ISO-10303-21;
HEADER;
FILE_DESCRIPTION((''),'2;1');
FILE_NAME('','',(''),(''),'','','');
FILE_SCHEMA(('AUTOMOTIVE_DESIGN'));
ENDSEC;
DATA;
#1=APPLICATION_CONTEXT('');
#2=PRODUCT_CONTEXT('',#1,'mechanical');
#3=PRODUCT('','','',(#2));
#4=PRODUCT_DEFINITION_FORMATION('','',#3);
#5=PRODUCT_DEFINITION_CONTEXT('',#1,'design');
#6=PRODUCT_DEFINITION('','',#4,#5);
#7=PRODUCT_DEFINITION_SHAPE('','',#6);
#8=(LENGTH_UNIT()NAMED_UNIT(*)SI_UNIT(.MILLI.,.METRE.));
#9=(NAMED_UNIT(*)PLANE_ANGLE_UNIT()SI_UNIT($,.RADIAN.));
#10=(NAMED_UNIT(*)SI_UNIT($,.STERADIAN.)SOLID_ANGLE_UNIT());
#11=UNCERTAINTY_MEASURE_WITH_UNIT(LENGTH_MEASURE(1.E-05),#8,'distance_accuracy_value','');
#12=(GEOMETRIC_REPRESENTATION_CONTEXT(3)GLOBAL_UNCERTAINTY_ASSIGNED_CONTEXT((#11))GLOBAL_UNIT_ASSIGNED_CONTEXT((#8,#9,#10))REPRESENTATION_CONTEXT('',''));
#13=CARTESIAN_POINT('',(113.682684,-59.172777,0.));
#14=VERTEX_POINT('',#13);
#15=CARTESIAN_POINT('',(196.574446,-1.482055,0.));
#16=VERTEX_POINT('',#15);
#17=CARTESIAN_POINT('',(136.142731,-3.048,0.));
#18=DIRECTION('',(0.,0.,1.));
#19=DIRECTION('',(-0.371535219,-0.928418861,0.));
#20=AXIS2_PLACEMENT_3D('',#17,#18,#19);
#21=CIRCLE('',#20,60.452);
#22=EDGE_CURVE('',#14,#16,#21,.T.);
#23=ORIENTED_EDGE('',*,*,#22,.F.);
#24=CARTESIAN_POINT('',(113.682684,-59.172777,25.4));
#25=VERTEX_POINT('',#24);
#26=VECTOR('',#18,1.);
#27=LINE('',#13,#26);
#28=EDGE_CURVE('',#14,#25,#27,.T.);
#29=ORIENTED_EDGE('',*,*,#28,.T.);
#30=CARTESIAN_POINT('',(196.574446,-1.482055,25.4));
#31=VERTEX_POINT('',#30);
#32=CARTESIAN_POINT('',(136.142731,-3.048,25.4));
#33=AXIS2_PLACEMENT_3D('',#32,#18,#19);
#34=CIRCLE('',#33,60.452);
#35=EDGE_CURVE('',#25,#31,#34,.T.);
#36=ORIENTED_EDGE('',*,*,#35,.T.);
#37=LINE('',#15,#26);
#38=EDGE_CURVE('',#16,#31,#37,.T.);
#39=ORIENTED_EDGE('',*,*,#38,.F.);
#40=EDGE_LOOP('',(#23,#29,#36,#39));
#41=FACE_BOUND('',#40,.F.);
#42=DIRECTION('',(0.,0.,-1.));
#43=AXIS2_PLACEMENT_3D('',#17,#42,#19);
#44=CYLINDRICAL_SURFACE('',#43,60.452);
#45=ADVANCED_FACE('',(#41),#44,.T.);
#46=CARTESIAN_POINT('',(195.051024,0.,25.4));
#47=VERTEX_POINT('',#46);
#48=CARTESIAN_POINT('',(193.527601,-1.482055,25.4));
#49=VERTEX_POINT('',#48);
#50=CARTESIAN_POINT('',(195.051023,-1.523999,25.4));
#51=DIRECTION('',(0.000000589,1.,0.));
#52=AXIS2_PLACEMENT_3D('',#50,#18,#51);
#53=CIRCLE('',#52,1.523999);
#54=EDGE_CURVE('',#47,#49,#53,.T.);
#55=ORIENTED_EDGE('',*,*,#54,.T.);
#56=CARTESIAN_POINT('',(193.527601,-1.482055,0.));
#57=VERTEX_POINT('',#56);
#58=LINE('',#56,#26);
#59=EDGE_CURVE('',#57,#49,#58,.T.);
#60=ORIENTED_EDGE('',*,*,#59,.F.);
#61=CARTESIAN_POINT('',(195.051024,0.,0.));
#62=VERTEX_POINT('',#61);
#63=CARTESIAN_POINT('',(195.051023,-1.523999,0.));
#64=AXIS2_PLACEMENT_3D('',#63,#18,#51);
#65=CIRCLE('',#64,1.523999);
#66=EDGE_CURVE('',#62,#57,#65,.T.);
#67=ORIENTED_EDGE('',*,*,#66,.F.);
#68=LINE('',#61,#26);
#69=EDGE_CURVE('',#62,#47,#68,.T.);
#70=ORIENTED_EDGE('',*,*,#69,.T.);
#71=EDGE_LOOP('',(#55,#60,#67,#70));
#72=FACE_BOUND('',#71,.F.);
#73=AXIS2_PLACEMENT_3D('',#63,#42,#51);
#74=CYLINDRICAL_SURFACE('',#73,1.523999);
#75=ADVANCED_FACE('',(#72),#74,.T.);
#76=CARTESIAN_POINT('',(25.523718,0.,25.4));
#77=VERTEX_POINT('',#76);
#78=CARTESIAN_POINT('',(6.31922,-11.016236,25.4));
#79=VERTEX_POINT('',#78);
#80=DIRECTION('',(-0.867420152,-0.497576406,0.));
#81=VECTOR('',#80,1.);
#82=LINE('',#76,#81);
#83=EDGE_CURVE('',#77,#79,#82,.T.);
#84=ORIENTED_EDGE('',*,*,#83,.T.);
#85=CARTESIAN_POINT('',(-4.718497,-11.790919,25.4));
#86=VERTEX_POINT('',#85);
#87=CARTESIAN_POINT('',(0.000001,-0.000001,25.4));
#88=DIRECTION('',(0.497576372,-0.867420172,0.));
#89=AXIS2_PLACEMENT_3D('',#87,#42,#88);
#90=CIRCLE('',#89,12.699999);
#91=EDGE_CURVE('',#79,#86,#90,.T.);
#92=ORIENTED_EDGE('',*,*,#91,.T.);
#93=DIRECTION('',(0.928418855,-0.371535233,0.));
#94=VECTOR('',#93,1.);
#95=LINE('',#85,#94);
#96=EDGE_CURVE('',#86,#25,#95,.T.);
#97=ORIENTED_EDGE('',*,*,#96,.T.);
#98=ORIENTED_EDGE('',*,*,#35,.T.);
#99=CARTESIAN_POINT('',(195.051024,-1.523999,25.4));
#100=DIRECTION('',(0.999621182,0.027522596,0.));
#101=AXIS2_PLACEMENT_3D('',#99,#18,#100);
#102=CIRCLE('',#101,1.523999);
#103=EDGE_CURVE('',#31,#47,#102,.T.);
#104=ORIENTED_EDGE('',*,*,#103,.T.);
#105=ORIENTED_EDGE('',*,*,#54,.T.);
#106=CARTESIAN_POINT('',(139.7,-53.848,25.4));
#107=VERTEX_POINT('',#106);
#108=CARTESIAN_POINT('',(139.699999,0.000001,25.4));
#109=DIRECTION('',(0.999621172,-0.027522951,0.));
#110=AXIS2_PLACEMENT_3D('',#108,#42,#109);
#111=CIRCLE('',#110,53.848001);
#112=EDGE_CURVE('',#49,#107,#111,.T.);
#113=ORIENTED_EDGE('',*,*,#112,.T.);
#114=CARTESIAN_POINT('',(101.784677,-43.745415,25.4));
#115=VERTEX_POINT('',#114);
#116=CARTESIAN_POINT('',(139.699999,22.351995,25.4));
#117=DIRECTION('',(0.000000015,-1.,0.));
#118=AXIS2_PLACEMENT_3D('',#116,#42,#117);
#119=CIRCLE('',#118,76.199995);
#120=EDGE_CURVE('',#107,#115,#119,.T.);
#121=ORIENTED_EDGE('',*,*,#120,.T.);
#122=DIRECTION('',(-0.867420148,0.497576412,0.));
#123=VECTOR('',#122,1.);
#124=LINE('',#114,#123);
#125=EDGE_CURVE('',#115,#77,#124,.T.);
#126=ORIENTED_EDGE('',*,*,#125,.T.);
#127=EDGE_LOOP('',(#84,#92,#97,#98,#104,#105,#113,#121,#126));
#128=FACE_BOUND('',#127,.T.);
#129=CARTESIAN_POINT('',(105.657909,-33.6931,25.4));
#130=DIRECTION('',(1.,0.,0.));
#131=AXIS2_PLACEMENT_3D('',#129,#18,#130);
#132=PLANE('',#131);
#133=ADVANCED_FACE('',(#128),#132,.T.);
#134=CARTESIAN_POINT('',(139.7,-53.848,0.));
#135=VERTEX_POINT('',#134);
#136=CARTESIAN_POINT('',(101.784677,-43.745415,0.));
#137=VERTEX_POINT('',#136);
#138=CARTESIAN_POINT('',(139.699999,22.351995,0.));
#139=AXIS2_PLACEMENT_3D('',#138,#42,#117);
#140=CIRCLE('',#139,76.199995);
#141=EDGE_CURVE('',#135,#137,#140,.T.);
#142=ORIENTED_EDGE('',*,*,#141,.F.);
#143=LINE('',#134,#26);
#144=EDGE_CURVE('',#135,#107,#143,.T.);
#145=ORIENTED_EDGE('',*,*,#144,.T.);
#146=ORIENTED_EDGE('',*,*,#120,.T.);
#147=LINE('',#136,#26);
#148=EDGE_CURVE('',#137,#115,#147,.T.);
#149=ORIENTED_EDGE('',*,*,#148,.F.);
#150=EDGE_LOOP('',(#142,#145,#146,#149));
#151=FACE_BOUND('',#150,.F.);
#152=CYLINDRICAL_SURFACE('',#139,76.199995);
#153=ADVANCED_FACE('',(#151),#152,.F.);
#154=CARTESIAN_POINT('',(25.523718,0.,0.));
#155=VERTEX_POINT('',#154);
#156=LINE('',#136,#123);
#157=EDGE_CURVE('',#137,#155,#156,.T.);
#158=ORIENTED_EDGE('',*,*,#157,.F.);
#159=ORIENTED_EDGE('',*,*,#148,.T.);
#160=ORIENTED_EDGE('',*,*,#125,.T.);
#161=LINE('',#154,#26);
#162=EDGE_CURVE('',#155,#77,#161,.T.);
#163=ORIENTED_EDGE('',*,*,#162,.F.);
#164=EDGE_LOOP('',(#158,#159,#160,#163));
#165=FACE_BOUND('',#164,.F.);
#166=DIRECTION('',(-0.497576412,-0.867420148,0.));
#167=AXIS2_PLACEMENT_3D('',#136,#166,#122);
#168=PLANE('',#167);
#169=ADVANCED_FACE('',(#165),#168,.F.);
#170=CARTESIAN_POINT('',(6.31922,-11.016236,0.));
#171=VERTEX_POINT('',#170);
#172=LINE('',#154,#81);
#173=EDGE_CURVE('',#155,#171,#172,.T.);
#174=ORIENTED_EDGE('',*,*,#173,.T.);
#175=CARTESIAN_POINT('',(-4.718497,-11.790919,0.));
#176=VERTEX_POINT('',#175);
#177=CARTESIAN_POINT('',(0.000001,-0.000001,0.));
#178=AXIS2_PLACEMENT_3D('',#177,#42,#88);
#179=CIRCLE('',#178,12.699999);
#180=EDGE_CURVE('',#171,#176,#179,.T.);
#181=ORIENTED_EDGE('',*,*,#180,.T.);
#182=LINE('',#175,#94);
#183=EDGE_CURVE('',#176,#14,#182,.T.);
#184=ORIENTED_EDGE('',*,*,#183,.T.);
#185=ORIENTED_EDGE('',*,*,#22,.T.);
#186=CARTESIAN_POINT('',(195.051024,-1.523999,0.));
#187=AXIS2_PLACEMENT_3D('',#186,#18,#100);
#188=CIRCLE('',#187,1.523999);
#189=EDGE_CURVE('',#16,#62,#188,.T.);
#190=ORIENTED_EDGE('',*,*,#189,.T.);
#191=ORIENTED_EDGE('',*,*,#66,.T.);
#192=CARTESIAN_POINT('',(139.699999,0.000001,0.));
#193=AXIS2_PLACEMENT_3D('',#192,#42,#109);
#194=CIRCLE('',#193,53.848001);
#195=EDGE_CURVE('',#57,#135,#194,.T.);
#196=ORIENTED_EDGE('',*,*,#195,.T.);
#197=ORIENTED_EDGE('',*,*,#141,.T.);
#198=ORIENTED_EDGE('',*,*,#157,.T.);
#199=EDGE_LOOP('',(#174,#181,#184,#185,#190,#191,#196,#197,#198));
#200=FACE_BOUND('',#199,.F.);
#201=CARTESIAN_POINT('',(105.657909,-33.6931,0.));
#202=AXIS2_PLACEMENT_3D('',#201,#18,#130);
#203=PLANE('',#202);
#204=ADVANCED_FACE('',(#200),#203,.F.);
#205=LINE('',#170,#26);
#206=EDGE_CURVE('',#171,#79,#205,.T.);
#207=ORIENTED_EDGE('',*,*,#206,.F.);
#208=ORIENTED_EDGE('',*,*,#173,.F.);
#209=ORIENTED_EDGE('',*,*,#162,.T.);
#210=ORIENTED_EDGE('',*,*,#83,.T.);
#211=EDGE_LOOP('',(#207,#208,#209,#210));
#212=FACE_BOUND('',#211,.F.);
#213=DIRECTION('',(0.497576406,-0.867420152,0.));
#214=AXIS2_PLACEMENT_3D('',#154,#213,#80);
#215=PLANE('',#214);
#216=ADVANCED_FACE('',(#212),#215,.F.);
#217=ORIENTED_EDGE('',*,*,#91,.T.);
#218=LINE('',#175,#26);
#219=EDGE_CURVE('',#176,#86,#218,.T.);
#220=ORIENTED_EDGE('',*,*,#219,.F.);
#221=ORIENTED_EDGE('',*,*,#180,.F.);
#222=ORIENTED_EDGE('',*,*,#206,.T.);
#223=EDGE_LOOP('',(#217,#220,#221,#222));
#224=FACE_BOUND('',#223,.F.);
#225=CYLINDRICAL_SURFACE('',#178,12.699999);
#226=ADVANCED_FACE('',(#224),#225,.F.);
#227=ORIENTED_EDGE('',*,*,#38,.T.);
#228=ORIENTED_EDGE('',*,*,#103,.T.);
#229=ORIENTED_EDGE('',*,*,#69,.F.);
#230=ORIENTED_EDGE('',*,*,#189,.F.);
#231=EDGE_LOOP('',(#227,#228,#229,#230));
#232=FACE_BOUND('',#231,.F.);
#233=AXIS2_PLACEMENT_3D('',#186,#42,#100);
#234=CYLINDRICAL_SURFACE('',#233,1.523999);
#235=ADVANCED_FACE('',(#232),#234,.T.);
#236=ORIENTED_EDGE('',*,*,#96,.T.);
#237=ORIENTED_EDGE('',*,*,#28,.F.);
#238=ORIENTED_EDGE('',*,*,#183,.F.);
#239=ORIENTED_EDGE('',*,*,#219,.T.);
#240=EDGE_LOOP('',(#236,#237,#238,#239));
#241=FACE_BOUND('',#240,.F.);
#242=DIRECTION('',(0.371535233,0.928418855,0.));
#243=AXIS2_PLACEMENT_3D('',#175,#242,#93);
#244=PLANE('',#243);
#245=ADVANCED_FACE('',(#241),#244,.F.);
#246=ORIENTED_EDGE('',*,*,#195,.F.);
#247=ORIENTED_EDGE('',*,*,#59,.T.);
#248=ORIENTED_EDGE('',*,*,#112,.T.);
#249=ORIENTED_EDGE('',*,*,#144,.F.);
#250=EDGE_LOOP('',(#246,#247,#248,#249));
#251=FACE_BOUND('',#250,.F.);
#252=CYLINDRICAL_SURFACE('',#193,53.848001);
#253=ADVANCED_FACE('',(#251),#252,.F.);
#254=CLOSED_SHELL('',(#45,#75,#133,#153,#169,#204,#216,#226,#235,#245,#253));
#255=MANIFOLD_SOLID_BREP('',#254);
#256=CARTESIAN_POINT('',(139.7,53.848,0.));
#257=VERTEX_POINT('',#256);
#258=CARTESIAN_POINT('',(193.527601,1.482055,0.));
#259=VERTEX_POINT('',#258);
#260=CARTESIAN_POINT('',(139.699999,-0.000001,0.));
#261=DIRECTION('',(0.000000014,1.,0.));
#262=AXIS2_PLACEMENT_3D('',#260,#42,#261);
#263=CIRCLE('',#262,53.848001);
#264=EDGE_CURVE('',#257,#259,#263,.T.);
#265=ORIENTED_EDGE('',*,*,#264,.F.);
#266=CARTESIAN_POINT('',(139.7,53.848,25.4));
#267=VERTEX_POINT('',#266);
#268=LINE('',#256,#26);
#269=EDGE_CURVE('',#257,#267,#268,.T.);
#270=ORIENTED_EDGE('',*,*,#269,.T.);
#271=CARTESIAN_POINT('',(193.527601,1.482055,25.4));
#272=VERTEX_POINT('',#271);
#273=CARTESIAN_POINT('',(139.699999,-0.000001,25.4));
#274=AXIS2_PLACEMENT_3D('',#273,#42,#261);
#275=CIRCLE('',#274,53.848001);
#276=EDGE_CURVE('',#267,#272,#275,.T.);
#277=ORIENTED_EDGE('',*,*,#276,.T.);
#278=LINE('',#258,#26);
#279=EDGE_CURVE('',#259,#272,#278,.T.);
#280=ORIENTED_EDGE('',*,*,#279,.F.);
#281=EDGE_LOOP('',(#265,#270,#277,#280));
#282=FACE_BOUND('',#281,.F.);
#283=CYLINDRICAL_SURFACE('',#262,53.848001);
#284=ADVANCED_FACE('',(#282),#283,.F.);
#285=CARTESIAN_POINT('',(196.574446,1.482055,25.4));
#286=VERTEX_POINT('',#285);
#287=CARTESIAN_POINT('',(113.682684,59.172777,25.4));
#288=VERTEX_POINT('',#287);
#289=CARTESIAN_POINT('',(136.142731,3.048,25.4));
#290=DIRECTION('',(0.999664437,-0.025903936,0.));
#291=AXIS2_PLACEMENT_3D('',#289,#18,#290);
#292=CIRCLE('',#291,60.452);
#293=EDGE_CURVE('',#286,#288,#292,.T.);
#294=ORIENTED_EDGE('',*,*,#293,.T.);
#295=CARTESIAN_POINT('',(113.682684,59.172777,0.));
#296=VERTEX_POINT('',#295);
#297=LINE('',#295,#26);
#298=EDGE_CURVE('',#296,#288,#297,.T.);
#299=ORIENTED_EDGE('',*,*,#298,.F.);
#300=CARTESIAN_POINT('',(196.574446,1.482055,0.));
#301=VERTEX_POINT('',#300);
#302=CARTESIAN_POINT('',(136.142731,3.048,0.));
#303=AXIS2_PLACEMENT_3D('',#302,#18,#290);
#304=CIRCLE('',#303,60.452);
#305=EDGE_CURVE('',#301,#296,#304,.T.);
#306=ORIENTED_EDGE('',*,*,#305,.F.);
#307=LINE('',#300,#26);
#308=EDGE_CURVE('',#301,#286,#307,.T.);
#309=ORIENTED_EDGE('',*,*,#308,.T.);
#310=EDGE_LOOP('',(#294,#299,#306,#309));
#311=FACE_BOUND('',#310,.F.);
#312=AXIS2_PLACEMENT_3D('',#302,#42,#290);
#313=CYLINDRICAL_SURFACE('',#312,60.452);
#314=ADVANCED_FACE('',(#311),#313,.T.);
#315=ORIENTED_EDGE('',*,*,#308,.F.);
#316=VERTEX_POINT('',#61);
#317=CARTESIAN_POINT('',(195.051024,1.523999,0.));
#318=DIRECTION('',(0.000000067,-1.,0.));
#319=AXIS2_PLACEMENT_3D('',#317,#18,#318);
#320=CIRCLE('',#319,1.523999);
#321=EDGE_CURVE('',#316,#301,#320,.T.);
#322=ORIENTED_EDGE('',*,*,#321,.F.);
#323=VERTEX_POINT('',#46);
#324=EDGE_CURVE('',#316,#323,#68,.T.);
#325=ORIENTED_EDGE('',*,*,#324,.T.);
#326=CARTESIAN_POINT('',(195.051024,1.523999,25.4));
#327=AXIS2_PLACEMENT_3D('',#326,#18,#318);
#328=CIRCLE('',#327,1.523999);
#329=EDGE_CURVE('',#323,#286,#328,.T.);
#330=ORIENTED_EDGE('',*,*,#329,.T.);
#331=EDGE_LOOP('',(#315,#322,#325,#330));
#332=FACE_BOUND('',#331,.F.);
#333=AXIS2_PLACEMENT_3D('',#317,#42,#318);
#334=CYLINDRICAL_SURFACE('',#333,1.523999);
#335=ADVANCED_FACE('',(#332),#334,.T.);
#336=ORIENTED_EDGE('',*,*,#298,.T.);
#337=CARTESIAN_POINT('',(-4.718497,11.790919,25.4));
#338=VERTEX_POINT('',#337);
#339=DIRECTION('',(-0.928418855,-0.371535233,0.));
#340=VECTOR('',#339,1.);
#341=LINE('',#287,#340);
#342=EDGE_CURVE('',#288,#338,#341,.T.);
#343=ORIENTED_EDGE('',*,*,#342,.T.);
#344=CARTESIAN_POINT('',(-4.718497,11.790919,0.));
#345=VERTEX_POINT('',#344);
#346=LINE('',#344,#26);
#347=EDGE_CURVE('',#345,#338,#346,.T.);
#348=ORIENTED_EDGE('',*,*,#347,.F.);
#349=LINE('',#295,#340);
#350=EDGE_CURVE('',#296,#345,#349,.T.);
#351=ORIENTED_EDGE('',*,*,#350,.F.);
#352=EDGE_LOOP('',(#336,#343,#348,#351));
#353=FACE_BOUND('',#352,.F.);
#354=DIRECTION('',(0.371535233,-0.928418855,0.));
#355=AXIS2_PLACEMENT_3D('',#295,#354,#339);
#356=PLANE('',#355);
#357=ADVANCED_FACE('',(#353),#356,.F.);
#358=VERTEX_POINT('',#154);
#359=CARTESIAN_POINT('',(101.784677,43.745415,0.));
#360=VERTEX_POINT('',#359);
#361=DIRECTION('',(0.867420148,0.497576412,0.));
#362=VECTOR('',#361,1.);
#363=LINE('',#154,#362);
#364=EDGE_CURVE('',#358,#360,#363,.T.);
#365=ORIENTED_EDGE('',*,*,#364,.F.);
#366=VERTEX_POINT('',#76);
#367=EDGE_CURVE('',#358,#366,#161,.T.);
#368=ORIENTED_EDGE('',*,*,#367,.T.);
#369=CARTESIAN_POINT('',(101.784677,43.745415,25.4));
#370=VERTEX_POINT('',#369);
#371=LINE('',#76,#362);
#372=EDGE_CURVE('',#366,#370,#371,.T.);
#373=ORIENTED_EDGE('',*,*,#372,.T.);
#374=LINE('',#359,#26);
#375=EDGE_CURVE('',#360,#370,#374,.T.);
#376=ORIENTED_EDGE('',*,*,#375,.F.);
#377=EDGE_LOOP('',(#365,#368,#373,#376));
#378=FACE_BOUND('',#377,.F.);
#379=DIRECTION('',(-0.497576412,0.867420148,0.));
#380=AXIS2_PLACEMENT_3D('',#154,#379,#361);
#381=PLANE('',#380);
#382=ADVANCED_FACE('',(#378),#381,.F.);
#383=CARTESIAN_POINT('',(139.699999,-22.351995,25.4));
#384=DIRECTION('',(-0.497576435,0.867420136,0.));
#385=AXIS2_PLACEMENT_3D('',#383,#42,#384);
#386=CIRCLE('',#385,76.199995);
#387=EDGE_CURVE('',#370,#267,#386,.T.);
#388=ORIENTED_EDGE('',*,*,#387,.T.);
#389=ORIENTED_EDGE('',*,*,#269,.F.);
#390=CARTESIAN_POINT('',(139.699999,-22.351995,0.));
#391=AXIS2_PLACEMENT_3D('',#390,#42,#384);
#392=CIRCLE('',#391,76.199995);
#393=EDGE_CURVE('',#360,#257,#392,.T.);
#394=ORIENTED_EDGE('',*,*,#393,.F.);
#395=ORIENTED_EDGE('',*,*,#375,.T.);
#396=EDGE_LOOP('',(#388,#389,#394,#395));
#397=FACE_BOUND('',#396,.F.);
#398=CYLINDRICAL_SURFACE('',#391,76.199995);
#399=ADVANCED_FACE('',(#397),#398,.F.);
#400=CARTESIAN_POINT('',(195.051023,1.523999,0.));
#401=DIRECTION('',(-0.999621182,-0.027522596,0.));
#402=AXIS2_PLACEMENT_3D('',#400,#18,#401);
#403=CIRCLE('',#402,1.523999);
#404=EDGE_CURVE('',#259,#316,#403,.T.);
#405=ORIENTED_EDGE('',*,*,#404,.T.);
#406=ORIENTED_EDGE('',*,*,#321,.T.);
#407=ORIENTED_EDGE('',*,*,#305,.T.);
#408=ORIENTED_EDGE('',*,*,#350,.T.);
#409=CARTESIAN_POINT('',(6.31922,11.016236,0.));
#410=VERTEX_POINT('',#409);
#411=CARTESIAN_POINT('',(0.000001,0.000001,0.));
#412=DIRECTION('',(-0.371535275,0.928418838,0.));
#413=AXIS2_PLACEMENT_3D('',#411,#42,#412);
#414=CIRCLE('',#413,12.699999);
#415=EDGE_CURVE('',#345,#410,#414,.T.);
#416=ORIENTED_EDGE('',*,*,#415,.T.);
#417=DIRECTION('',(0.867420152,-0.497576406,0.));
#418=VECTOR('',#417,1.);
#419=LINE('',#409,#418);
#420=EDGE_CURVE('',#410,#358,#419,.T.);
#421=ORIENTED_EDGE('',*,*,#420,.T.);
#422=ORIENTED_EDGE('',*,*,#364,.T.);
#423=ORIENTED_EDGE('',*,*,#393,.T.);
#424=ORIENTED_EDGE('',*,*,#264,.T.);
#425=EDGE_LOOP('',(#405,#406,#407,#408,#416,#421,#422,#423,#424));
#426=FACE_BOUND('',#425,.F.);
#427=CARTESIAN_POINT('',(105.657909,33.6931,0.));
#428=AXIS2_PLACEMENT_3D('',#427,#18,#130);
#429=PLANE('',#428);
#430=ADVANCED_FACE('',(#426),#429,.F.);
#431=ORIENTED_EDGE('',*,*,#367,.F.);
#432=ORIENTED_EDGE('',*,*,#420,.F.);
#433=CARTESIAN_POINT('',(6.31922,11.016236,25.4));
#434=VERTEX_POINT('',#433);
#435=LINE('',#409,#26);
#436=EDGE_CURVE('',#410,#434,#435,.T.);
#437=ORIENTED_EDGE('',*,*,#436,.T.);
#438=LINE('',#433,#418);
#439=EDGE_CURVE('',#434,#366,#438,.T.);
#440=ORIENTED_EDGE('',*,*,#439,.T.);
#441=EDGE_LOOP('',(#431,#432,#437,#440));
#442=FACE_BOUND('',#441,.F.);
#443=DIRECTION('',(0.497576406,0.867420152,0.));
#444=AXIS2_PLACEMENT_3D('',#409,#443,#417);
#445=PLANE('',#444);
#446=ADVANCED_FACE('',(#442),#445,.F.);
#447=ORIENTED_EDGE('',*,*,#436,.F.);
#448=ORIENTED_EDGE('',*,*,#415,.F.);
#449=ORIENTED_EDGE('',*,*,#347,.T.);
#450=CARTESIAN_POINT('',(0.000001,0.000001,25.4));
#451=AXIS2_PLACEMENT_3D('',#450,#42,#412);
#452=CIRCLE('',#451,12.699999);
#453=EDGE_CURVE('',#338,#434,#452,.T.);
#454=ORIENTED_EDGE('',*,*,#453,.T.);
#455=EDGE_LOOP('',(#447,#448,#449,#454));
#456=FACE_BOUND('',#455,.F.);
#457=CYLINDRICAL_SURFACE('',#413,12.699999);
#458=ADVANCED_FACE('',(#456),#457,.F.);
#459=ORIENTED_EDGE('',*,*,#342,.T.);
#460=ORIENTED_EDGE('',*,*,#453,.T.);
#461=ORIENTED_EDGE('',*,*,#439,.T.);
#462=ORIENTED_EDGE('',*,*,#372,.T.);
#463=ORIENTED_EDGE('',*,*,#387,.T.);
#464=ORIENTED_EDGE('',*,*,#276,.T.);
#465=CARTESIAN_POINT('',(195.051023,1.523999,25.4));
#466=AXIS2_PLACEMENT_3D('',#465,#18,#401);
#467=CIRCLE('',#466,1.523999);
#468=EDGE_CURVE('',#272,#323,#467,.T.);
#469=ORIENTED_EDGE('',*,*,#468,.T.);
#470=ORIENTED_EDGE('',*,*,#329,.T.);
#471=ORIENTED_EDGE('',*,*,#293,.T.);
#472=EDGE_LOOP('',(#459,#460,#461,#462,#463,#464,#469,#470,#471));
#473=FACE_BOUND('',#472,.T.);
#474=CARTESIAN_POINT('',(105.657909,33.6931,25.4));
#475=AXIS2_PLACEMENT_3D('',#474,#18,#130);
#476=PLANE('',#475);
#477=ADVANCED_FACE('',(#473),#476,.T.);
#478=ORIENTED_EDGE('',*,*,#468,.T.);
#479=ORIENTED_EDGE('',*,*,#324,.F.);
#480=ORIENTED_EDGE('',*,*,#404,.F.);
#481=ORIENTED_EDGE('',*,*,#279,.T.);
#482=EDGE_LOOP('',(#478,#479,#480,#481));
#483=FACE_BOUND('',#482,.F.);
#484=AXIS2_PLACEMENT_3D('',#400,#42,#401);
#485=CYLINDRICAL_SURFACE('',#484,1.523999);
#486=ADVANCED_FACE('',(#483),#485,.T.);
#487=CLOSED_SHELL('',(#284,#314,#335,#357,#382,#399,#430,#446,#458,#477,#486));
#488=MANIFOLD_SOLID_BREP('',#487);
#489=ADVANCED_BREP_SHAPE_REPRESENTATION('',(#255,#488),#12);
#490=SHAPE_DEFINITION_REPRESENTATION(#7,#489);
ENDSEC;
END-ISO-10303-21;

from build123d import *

# Parameters (mm, degrees)
F1_DEPTH = 25.4


with BuildPart() as f1:
    # F0 (on Top) → F1 (new body)
    with BuildSketch(Plane.XY):
        with BuildLine():
            ThreePointArc((-4.718497, 11.790919), (0.889164, 12.668835), (6.31922, 11.016236))
            Line((6.31922, 11.016236), (25.523718, 0))
            Line((25.523718, 0), (101.784677, 43.745415))
            ThreePointArc((101.784677, 43.745415), (120.080915, 51.27905), (139.7, 53.848))
            ThreePointArc((139.7, 53.848), (177.248644, 38.596715), (193.527601, 1.482055))
            ThreePointArc((193.527601, 1.482055), (193.988326, 0.43164), (195.051024, 0))
            ThreePointArc((195.051024, 0), (196.113721, 0.43164), (196.574446, 1.482055))
            ThreePointArc((196.574446, 1.482055), (170.675567, 52.665815), (113.682684, 59.172777))
            Line((113.682684, 59.172777), (-4.718497, 11.790919))
        make_face()
        with BuildLine():
            Line((25.523718, 0), (6.31922, -11.016236))
            ThreePointArc((6.31922, -11.016236), (0.889164, -12.668835), (-4.718497, -11.790919))
            Line((-4.718497, -11.790919), (113.682684, -59.172777))
            ThreePointArc((113.682684, -59.172777), (170.675567, -52.665815), (196.574446, -1.482055))
            ThreePointArc((196.574446, -1.482055), (196.113721, -0.43164), (195.051024, 0))
            ThreePointArc((195.051024, 0), (193.988326, -0.43164), (193.527601, -1.482055))
            ThreePointArc((193.527601, -1.482055), (177.248644, -38.596715), (139.7, -53.848))
            ThreePointArc((139.7, -53.848), (120.080915, -51.27905), (101.784677, -43.745415))
            Line((101.784677, -43.745415), (25.523718, 0))
        make_face()
    extrude(amount=F1_DEPTH)


solid = f1.part
